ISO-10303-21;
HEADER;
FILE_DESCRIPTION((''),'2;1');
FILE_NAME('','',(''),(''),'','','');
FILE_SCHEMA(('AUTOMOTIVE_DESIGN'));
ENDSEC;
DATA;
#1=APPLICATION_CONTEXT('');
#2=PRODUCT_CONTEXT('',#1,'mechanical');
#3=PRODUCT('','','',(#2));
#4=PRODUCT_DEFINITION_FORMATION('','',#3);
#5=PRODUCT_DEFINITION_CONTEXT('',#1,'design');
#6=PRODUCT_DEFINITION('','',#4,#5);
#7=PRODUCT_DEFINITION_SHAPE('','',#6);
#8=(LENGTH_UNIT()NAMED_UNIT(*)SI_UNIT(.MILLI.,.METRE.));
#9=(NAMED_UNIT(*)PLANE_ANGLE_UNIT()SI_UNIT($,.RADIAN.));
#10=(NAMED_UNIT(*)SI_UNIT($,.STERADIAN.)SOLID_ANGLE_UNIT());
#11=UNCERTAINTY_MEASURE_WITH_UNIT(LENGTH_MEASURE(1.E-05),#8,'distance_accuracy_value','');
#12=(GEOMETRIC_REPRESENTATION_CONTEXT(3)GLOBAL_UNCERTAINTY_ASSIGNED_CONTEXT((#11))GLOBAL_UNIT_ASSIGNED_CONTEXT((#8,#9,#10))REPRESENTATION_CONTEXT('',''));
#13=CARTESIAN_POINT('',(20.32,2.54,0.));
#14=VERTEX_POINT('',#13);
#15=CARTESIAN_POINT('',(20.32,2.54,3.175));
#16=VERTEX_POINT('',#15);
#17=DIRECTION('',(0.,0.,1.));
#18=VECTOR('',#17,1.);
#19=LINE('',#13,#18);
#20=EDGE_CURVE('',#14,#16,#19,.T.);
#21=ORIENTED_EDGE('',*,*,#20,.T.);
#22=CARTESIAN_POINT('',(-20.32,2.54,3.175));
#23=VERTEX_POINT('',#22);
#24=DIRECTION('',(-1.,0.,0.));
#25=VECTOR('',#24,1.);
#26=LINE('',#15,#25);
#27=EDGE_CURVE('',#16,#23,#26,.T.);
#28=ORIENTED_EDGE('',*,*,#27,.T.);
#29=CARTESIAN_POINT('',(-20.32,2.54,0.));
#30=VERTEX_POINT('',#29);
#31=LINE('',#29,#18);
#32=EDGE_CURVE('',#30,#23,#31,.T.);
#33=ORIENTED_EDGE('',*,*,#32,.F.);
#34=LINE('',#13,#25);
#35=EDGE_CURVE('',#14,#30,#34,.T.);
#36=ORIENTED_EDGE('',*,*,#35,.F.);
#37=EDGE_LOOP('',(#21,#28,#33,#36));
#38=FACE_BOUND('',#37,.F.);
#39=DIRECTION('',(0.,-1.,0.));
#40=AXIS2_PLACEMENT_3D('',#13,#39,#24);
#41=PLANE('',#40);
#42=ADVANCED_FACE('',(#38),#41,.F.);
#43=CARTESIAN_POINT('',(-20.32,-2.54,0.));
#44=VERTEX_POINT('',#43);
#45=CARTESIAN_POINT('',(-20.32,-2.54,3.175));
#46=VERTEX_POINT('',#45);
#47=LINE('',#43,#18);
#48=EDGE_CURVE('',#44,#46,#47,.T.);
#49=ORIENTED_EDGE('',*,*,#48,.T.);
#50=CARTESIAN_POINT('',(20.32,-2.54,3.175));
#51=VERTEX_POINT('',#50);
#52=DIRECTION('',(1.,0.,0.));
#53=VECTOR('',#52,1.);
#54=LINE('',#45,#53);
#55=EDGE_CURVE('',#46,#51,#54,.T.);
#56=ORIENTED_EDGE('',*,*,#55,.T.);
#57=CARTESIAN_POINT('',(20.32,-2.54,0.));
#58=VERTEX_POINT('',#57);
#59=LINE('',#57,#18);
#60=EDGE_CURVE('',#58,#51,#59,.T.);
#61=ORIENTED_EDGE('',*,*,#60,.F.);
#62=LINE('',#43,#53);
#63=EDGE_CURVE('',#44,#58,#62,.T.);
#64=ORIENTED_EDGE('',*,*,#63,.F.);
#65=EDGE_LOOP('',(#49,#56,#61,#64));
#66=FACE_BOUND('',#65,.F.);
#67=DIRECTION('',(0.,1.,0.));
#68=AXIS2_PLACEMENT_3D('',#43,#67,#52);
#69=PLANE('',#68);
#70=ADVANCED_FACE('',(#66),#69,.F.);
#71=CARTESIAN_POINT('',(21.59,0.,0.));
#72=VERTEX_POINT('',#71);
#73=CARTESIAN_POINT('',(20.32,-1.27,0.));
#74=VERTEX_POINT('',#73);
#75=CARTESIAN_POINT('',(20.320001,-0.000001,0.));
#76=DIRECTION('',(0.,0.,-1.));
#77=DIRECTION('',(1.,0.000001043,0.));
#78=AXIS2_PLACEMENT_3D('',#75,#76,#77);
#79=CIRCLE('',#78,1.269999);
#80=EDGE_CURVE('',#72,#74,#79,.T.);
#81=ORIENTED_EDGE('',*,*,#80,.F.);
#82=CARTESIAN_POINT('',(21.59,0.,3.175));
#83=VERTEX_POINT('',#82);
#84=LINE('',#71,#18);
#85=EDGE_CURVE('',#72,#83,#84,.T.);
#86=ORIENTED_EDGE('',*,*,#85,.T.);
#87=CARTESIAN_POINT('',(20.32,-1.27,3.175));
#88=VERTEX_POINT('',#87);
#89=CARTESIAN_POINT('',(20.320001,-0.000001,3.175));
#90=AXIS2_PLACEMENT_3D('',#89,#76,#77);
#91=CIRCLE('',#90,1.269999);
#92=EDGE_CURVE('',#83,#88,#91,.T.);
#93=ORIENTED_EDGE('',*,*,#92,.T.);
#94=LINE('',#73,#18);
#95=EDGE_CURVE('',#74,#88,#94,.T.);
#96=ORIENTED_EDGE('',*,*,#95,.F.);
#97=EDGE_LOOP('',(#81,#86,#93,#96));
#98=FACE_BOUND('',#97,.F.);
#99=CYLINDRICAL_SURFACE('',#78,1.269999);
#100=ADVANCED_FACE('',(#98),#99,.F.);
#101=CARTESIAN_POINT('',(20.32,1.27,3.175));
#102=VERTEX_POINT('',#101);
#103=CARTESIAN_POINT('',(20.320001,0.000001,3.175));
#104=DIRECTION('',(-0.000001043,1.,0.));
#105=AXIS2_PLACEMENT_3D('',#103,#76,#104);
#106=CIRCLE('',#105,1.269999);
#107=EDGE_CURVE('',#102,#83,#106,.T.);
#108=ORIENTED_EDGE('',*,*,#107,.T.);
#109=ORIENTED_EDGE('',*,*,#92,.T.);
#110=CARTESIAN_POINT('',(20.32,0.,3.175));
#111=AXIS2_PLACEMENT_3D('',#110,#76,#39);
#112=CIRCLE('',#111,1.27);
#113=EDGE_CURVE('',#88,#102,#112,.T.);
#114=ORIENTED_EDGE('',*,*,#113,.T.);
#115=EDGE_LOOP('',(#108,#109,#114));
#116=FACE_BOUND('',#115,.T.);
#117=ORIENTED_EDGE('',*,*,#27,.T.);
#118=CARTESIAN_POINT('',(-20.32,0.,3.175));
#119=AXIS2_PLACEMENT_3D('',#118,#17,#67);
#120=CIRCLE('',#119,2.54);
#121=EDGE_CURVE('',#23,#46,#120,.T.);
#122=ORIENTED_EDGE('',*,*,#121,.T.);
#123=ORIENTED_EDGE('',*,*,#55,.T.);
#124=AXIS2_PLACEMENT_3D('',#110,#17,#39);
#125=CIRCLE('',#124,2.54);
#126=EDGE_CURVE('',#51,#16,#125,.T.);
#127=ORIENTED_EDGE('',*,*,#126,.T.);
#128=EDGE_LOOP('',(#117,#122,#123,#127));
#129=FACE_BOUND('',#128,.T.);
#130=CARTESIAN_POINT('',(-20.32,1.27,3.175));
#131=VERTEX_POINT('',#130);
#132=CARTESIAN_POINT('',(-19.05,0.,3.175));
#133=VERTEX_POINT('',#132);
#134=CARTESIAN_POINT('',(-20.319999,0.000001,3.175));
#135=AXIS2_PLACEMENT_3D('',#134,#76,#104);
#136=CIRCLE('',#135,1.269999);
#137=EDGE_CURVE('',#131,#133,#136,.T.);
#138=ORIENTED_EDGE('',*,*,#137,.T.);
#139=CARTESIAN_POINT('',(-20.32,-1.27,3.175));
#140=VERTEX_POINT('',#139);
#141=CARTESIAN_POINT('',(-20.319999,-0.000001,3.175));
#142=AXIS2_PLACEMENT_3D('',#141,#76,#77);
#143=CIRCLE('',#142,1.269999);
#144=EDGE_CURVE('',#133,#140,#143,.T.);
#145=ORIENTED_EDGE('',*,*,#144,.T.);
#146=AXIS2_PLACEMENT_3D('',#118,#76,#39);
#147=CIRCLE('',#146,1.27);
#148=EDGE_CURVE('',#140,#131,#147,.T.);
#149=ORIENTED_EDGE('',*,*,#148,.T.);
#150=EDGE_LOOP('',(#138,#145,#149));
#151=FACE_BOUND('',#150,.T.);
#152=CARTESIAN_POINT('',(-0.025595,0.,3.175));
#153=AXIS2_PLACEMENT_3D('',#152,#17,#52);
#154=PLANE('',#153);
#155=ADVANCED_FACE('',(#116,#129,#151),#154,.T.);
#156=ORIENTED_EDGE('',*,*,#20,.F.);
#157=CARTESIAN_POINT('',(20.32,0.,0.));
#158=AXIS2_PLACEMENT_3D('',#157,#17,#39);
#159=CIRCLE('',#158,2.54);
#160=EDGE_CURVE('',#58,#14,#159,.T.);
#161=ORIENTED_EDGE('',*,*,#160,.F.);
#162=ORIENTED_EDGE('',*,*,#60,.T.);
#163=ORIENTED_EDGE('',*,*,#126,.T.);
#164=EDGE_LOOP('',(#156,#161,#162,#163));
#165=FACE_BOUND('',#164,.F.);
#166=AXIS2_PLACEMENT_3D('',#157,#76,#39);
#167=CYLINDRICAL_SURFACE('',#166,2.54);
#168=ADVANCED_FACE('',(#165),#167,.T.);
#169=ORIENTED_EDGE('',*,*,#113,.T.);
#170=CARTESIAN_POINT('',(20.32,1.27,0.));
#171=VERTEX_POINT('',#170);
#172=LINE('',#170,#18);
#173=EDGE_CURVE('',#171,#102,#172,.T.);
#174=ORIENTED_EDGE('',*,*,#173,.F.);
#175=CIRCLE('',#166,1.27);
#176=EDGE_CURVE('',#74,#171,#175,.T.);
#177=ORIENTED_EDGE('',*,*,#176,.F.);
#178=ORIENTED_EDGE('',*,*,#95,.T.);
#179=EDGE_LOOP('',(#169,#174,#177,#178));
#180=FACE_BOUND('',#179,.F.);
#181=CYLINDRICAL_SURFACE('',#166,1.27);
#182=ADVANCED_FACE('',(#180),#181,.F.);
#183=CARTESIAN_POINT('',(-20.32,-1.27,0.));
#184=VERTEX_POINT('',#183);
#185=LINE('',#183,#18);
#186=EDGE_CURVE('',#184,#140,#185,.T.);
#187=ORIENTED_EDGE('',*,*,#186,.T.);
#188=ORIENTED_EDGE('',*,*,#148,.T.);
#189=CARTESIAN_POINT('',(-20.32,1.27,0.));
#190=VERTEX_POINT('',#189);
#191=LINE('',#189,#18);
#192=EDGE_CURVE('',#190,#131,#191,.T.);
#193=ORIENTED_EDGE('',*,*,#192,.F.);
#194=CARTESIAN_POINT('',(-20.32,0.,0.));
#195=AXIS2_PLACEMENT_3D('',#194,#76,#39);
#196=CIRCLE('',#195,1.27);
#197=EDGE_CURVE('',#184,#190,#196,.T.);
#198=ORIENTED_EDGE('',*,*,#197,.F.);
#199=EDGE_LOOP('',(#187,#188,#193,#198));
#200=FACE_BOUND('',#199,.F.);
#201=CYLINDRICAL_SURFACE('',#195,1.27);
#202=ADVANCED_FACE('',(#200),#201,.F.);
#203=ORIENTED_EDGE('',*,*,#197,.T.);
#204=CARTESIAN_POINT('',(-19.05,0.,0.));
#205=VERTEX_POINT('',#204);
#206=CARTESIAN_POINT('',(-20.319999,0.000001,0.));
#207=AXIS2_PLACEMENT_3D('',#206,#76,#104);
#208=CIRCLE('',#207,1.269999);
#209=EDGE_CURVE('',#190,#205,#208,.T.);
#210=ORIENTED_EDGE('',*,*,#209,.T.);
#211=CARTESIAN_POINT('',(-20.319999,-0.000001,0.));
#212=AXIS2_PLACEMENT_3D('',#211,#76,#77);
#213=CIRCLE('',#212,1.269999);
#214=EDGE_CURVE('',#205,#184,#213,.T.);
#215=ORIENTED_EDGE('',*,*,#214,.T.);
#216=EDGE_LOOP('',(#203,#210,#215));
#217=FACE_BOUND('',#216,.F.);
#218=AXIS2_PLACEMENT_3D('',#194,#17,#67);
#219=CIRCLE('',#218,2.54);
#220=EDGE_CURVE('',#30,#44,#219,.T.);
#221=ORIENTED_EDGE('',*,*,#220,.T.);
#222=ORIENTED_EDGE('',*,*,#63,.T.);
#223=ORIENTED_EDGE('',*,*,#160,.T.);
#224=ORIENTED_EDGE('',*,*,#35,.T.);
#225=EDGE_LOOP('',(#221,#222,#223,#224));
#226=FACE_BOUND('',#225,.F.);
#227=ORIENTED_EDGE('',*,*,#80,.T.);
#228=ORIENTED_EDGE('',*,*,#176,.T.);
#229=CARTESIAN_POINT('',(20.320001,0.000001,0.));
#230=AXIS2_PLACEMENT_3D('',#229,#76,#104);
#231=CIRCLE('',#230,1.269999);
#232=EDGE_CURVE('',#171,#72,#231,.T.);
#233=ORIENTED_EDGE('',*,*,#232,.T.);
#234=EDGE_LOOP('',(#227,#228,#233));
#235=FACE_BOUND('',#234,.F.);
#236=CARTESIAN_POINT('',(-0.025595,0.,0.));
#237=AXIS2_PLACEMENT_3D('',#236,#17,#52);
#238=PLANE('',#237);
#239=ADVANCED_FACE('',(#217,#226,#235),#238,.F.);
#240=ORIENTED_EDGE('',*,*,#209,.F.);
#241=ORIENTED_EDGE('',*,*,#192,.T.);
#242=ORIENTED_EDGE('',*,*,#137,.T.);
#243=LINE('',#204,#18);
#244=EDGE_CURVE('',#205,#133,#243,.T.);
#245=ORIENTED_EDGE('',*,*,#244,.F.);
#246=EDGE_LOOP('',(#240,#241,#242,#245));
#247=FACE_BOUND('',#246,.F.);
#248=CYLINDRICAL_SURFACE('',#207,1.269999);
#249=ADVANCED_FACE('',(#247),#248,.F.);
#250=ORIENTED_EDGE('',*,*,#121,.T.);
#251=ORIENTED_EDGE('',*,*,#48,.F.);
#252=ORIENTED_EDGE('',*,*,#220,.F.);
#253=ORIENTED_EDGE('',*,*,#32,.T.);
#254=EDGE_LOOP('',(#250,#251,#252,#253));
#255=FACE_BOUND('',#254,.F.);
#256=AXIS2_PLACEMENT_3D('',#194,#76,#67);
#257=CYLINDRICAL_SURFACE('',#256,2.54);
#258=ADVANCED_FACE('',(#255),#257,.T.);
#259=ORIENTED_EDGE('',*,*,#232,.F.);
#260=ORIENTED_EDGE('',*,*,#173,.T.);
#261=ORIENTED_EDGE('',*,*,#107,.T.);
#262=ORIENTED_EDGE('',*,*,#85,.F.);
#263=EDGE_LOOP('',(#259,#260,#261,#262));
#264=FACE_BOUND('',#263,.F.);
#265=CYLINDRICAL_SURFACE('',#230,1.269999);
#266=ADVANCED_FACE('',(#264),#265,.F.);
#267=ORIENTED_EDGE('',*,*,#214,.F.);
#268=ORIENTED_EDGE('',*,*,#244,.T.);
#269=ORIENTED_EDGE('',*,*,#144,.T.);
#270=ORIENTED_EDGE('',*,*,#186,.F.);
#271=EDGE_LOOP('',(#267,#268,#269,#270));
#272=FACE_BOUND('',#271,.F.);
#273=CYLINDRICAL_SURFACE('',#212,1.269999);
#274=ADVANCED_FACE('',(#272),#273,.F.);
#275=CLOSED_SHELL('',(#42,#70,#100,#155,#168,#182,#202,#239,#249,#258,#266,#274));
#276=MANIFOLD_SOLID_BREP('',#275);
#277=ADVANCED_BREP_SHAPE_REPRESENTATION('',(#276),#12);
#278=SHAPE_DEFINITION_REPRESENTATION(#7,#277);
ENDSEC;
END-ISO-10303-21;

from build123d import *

# Parameters (mm, degrees)
F1_DEPTH = 3.175


with BuildPart() as f1:
    # F0 (on Top) → F1 (new body)
    with BuildSketch(Plane.XY):
        with BuildLine():
            Line((20.32, 1.27), (20.32, 2.54))
            Line((20.32, 2.54), (-20.32, 2.54))
            Line((-20.32, 2.54), (-20.32, 1.27))
            ThreePointArc((-20.32, 1.27), (-19.421974, 0.898026), (-19.05, 0))
            ThreePointArc((-19.05, 0), (-19.421974, -0.898026), (-20.32, -1.27))
            Line((-20.32, -1.27), (-20.32, -2.54))
            Line((-20.32, -2.54), (20.32, -2.54))
            Line((20.32, -2.54), (20.32, -1.27))
            ThreePointArc((20.32, -1.27), (19.05, 0), (20.32, 1.27))
        make_face()
        with BuildLine():
            ThreePointArc((20.32, -2.54), (22.86, 0), (20.32, 2.54))
            Line((20.32, 2.54), (20.32, 1.27))
            ThreePointArc((20.32, 1.27), (21.218026, 0.898026), (21.59, 0))
            ThreePointArc((21.59, 0), (21.218026, -0.898026), (20.32, -1.27))
            Line((20.32, -1.27), (20.32, -2.54))
        make_face()
        with BuildLine():
            Line((-20.32, 1.27), (-20.32, 2.54))
            ThreePointArc((-20.32, 2.54), (-22.86, 0), (-20.32, -2.54))
            Line((-20.32, -2.54), (-20.32, -1.27))
            ThreePointArc((-20.32, -1.27), (-21.59, 0), (-20.32, 1.27))
        make_face()
    extrude(amount=F1_DEPTH)


solid = f1.part
